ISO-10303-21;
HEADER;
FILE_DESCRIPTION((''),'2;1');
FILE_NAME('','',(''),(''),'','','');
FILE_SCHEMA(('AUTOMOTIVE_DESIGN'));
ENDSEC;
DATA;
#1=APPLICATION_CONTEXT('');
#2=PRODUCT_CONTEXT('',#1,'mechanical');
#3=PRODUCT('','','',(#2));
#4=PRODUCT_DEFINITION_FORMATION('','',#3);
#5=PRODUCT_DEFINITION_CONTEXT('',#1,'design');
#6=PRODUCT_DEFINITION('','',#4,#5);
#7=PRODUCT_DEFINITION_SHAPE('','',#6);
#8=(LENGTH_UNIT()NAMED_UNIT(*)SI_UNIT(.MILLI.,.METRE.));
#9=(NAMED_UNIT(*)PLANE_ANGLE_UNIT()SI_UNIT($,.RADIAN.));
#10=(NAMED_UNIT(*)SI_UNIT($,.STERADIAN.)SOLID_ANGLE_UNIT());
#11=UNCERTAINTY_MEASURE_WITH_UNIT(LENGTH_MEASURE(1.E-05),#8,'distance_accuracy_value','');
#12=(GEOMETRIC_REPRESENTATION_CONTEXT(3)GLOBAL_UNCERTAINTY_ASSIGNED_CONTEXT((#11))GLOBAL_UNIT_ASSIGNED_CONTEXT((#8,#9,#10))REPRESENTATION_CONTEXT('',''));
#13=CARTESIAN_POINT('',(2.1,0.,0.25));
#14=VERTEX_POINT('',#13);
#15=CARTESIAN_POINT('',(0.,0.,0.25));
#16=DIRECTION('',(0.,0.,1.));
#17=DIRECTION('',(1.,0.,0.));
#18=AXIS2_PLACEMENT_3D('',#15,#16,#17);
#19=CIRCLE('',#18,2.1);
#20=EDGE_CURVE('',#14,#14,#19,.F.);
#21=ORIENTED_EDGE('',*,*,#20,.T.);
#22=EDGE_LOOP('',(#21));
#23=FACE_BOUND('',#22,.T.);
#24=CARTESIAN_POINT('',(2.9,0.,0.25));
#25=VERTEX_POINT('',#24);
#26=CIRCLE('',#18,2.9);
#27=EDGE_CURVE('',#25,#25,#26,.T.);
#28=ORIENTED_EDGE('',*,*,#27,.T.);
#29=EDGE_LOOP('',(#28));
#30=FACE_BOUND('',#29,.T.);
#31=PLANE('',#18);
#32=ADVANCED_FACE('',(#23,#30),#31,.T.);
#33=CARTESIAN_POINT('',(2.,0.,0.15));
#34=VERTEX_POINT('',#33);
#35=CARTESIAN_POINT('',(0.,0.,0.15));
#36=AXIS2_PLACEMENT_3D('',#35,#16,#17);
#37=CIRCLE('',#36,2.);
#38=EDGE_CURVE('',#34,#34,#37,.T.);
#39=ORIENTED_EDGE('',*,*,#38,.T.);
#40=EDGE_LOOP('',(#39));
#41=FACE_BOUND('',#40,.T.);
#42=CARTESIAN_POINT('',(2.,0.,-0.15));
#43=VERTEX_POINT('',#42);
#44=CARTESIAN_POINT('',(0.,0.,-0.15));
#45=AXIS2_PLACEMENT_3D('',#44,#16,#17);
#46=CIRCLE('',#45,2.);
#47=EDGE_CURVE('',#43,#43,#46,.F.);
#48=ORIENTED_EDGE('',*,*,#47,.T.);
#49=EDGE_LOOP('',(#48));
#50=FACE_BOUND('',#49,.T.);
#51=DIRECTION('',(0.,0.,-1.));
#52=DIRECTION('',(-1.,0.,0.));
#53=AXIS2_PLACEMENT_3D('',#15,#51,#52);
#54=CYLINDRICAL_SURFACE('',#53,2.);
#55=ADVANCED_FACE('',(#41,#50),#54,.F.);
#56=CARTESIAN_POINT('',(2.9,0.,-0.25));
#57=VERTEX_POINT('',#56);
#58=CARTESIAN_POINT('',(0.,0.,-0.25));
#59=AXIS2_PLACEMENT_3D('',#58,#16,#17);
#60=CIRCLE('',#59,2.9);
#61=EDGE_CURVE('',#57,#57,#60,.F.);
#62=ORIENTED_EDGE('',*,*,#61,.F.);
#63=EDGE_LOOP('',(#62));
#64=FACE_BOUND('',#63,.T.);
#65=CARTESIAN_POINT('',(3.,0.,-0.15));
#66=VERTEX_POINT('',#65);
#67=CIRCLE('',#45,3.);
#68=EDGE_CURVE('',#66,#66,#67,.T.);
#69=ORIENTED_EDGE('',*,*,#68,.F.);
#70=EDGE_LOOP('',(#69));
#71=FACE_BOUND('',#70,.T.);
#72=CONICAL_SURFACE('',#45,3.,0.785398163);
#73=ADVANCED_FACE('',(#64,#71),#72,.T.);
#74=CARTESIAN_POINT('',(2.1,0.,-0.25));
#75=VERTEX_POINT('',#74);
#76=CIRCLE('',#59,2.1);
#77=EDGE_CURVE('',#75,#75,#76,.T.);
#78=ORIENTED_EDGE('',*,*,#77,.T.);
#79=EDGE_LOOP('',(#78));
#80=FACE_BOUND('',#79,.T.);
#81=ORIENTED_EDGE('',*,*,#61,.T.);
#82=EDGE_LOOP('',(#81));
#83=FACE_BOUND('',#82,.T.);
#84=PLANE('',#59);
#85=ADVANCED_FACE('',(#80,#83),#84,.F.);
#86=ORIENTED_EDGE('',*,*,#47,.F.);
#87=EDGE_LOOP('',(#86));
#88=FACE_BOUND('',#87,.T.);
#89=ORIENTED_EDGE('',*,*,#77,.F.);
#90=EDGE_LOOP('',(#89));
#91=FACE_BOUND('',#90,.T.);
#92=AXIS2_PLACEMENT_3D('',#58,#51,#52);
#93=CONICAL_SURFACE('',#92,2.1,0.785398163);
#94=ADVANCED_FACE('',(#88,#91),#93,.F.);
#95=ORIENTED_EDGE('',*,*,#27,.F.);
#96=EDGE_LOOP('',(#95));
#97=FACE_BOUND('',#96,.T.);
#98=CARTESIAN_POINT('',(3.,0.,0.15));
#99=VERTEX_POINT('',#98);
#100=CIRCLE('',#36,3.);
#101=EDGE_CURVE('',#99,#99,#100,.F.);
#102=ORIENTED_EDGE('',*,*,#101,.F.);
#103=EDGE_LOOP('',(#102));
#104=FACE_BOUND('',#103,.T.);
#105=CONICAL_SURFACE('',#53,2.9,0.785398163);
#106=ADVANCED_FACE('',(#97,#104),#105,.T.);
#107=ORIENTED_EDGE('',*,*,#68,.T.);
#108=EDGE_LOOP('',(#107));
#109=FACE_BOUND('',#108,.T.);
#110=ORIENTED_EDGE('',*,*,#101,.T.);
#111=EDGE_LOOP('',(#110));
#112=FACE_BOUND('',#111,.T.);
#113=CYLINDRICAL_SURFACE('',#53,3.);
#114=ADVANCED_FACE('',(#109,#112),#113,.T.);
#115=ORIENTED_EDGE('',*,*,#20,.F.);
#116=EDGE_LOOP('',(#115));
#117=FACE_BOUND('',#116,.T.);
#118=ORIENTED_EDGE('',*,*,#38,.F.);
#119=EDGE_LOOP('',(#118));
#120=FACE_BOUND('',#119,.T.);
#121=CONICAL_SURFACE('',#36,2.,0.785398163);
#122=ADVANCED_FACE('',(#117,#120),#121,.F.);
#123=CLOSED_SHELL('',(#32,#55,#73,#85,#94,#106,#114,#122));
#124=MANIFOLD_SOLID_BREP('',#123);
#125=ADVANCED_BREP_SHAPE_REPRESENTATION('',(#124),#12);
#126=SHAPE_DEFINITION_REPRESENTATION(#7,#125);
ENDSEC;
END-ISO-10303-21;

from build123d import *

# Parameters (mm, degrees)
SKETCH_1_R      = 3
SKETCH_1_R_2    = 2
EXTRUDE_1_DEPTH = 0.25
CHAMFER_1_SIZE  = 0.1


with BuildPart() as part:
    # 草图1 → 凸台-拉伸1 (new, symmetric)
    with BuildSketch(Plane.XY):
        Circle(SKETCH_1_R)
        Circle(SKETCH_1_R_2, mode=Mode.SUBTRACT)
    extrude(amount=EXTRUDE_1_DEPTH, both=True)

    # 倒角1
    chamfer_1_edges = [part.edges().sort_by_distance(p)[0] for p in [
        (-3, 0, -0.25),
        (-3, 0, 0.25),
        (-2, 0, -0.25),
        (-2, 0, 0.25),
    ]]
    chamfer(chamfer_1_edges, length=CHAMFER_1_SIZE)


solid = part.part
